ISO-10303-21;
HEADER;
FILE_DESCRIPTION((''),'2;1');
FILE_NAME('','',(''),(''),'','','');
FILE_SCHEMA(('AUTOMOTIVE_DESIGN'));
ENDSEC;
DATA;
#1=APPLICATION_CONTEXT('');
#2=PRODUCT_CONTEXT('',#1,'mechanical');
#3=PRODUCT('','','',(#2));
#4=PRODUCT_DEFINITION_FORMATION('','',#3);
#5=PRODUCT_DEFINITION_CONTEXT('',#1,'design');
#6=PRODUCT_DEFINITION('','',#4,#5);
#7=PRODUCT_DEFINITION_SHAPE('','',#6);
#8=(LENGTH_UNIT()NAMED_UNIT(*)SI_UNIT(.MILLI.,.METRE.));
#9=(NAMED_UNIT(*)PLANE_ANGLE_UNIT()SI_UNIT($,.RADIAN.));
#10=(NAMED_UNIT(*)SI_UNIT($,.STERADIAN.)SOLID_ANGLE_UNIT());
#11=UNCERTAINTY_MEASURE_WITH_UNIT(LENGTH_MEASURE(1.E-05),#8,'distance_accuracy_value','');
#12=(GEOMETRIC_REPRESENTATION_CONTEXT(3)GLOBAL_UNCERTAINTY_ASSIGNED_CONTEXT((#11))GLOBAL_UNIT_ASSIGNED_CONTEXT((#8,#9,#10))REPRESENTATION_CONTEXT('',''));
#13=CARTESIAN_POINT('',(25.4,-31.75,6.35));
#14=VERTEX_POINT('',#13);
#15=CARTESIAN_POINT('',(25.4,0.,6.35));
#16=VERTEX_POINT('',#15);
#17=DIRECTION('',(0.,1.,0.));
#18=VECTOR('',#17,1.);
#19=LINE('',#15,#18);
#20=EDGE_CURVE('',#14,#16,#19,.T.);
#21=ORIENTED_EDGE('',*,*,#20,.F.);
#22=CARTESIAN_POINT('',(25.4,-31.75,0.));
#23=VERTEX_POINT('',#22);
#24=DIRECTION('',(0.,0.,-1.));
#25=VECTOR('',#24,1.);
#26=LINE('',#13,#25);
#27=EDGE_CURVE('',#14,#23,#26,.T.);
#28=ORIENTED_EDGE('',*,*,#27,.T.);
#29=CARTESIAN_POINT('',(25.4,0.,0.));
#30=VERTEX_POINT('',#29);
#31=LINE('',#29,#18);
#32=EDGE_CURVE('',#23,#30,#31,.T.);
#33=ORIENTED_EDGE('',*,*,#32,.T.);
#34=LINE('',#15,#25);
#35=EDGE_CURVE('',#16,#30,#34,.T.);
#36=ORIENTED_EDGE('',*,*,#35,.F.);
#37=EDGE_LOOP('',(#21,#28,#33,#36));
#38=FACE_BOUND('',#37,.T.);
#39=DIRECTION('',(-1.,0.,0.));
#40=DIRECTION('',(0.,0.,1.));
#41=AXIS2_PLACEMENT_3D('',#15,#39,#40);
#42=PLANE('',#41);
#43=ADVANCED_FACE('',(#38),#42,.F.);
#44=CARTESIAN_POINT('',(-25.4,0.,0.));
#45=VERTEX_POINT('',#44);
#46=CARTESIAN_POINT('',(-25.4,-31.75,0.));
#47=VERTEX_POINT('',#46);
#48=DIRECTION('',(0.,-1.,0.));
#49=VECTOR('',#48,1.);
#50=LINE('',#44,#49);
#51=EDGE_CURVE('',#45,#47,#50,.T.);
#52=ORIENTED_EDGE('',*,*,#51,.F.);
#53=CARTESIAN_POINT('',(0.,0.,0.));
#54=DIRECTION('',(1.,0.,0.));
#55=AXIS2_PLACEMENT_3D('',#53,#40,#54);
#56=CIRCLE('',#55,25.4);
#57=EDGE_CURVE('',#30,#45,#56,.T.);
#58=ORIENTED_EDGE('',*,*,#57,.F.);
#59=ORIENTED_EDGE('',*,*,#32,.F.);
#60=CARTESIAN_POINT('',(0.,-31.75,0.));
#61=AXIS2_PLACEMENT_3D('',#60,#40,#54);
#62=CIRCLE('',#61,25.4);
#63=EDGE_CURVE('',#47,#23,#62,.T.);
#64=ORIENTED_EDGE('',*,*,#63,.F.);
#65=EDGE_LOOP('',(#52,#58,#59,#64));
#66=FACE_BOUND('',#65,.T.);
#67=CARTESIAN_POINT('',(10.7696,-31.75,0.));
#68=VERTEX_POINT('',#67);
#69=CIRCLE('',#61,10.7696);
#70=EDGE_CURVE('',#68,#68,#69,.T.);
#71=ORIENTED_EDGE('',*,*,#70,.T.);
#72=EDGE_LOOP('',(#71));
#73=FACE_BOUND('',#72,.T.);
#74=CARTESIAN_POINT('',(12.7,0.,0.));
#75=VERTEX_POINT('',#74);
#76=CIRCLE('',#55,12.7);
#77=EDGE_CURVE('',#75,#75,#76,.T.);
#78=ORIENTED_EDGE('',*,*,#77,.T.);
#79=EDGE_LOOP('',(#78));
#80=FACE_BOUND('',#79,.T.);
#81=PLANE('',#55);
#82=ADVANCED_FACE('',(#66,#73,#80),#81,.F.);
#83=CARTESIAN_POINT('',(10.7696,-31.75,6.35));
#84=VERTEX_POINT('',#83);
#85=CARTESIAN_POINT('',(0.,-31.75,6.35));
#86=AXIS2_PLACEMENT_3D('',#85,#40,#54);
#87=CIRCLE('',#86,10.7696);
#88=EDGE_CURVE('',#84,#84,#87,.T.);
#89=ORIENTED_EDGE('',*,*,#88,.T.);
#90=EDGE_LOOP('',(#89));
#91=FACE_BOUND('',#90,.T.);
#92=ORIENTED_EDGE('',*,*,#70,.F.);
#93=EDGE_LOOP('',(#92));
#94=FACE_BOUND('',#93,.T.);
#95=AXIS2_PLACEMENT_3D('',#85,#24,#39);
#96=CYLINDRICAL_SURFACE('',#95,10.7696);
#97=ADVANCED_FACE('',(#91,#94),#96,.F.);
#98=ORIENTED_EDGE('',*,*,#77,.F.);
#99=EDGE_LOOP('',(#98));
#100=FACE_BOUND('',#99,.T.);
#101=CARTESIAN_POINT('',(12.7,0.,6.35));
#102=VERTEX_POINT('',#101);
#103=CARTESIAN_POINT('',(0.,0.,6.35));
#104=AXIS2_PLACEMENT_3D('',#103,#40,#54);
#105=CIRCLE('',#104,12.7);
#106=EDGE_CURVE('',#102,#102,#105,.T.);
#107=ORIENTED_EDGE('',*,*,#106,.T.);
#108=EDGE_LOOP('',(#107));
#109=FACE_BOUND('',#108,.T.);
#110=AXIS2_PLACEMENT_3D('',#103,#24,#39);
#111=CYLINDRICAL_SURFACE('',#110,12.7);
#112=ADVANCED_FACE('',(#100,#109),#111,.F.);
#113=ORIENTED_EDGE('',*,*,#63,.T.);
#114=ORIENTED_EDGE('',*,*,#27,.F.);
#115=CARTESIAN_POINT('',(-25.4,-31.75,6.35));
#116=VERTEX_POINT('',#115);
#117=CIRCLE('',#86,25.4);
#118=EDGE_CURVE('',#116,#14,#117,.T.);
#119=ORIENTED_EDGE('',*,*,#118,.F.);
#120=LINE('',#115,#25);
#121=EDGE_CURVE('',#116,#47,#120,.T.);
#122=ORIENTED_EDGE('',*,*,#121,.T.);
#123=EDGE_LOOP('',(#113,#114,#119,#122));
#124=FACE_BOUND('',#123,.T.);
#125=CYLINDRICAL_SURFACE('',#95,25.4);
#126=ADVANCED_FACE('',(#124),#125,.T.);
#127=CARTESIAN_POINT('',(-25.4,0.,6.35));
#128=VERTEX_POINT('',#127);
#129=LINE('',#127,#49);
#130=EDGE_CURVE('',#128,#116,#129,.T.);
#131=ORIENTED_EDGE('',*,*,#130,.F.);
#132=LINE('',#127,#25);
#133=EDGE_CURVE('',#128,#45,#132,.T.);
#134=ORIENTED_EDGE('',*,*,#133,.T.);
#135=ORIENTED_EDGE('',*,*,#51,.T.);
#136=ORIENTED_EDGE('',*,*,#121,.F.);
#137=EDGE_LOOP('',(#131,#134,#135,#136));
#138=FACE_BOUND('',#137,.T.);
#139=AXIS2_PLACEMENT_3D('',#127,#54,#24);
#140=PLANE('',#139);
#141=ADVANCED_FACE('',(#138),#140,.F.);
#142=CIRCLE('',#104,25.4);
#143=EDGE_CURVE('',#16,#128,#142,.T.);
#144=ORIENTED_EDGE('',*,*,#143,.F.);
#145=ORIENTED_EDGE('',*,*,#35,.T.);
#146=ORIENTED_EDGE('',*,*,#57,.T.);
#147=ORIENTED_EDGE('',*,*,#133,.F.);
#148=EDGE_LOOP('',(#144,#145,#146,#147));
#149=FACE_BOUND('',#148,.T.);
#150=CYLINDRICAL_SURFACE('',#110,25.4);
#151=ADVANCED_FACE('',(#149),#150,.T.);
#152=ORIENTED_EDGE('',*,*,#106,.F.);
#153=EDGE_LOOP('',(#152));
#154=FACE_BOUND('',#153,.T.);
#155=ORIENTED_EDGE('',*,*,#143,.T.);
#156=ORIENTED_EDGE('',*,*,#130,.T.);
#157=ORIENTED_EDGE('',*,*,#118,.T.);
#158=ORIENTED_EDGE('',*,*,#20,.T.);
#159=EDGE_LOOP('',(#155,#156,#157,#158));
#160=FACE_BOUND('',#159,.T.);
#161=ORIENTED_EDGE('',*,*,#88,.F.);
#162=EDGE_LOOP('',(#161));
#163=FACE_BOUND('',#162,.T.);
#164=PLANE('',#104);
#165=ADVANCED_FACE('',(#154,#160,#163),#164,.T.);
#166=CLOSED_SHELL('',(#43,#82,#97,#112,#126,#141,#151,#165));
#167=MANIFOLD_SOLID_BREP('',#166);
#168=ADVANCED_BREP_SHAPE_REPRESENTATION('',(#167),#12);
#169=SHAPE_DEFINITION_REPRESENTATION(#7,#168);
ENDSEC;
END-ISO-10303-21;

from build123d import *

# Parameters (mm, degrees)
SKETCH1_R           = 12.7
SKETCH1_R_2         = 10.7696
BOSS_EXTRUDE1_DEPTH = 6.35


with BuildPart() as part:
    # Sketch1 → Boss-Extrude1 (new body)
    with BuildSketch(Plane.XY):
        with BuildLine():
            Line((-25.4, 0), (-25.4, -31.75))
            ThreePointArc((-25.4, -31.75), (0, -57.15), (25.4, -31.75))
            Line((25.4, -31.75), (25.4, 0))
            ThreePointArc((25.4, 0), (0, 25.4), (-25.4, 0))
        make_face()
        Circle(SKETCH1_R, mode=Mode.SUBTRACT)
        with Locations((0, -31.75)):
            Circle(SKETCH1_R_2, mode=Mode.SUBTRACT)
    extrude(amount=BOSS_EXTRUDE1_DEPTH)


solid = part.part
